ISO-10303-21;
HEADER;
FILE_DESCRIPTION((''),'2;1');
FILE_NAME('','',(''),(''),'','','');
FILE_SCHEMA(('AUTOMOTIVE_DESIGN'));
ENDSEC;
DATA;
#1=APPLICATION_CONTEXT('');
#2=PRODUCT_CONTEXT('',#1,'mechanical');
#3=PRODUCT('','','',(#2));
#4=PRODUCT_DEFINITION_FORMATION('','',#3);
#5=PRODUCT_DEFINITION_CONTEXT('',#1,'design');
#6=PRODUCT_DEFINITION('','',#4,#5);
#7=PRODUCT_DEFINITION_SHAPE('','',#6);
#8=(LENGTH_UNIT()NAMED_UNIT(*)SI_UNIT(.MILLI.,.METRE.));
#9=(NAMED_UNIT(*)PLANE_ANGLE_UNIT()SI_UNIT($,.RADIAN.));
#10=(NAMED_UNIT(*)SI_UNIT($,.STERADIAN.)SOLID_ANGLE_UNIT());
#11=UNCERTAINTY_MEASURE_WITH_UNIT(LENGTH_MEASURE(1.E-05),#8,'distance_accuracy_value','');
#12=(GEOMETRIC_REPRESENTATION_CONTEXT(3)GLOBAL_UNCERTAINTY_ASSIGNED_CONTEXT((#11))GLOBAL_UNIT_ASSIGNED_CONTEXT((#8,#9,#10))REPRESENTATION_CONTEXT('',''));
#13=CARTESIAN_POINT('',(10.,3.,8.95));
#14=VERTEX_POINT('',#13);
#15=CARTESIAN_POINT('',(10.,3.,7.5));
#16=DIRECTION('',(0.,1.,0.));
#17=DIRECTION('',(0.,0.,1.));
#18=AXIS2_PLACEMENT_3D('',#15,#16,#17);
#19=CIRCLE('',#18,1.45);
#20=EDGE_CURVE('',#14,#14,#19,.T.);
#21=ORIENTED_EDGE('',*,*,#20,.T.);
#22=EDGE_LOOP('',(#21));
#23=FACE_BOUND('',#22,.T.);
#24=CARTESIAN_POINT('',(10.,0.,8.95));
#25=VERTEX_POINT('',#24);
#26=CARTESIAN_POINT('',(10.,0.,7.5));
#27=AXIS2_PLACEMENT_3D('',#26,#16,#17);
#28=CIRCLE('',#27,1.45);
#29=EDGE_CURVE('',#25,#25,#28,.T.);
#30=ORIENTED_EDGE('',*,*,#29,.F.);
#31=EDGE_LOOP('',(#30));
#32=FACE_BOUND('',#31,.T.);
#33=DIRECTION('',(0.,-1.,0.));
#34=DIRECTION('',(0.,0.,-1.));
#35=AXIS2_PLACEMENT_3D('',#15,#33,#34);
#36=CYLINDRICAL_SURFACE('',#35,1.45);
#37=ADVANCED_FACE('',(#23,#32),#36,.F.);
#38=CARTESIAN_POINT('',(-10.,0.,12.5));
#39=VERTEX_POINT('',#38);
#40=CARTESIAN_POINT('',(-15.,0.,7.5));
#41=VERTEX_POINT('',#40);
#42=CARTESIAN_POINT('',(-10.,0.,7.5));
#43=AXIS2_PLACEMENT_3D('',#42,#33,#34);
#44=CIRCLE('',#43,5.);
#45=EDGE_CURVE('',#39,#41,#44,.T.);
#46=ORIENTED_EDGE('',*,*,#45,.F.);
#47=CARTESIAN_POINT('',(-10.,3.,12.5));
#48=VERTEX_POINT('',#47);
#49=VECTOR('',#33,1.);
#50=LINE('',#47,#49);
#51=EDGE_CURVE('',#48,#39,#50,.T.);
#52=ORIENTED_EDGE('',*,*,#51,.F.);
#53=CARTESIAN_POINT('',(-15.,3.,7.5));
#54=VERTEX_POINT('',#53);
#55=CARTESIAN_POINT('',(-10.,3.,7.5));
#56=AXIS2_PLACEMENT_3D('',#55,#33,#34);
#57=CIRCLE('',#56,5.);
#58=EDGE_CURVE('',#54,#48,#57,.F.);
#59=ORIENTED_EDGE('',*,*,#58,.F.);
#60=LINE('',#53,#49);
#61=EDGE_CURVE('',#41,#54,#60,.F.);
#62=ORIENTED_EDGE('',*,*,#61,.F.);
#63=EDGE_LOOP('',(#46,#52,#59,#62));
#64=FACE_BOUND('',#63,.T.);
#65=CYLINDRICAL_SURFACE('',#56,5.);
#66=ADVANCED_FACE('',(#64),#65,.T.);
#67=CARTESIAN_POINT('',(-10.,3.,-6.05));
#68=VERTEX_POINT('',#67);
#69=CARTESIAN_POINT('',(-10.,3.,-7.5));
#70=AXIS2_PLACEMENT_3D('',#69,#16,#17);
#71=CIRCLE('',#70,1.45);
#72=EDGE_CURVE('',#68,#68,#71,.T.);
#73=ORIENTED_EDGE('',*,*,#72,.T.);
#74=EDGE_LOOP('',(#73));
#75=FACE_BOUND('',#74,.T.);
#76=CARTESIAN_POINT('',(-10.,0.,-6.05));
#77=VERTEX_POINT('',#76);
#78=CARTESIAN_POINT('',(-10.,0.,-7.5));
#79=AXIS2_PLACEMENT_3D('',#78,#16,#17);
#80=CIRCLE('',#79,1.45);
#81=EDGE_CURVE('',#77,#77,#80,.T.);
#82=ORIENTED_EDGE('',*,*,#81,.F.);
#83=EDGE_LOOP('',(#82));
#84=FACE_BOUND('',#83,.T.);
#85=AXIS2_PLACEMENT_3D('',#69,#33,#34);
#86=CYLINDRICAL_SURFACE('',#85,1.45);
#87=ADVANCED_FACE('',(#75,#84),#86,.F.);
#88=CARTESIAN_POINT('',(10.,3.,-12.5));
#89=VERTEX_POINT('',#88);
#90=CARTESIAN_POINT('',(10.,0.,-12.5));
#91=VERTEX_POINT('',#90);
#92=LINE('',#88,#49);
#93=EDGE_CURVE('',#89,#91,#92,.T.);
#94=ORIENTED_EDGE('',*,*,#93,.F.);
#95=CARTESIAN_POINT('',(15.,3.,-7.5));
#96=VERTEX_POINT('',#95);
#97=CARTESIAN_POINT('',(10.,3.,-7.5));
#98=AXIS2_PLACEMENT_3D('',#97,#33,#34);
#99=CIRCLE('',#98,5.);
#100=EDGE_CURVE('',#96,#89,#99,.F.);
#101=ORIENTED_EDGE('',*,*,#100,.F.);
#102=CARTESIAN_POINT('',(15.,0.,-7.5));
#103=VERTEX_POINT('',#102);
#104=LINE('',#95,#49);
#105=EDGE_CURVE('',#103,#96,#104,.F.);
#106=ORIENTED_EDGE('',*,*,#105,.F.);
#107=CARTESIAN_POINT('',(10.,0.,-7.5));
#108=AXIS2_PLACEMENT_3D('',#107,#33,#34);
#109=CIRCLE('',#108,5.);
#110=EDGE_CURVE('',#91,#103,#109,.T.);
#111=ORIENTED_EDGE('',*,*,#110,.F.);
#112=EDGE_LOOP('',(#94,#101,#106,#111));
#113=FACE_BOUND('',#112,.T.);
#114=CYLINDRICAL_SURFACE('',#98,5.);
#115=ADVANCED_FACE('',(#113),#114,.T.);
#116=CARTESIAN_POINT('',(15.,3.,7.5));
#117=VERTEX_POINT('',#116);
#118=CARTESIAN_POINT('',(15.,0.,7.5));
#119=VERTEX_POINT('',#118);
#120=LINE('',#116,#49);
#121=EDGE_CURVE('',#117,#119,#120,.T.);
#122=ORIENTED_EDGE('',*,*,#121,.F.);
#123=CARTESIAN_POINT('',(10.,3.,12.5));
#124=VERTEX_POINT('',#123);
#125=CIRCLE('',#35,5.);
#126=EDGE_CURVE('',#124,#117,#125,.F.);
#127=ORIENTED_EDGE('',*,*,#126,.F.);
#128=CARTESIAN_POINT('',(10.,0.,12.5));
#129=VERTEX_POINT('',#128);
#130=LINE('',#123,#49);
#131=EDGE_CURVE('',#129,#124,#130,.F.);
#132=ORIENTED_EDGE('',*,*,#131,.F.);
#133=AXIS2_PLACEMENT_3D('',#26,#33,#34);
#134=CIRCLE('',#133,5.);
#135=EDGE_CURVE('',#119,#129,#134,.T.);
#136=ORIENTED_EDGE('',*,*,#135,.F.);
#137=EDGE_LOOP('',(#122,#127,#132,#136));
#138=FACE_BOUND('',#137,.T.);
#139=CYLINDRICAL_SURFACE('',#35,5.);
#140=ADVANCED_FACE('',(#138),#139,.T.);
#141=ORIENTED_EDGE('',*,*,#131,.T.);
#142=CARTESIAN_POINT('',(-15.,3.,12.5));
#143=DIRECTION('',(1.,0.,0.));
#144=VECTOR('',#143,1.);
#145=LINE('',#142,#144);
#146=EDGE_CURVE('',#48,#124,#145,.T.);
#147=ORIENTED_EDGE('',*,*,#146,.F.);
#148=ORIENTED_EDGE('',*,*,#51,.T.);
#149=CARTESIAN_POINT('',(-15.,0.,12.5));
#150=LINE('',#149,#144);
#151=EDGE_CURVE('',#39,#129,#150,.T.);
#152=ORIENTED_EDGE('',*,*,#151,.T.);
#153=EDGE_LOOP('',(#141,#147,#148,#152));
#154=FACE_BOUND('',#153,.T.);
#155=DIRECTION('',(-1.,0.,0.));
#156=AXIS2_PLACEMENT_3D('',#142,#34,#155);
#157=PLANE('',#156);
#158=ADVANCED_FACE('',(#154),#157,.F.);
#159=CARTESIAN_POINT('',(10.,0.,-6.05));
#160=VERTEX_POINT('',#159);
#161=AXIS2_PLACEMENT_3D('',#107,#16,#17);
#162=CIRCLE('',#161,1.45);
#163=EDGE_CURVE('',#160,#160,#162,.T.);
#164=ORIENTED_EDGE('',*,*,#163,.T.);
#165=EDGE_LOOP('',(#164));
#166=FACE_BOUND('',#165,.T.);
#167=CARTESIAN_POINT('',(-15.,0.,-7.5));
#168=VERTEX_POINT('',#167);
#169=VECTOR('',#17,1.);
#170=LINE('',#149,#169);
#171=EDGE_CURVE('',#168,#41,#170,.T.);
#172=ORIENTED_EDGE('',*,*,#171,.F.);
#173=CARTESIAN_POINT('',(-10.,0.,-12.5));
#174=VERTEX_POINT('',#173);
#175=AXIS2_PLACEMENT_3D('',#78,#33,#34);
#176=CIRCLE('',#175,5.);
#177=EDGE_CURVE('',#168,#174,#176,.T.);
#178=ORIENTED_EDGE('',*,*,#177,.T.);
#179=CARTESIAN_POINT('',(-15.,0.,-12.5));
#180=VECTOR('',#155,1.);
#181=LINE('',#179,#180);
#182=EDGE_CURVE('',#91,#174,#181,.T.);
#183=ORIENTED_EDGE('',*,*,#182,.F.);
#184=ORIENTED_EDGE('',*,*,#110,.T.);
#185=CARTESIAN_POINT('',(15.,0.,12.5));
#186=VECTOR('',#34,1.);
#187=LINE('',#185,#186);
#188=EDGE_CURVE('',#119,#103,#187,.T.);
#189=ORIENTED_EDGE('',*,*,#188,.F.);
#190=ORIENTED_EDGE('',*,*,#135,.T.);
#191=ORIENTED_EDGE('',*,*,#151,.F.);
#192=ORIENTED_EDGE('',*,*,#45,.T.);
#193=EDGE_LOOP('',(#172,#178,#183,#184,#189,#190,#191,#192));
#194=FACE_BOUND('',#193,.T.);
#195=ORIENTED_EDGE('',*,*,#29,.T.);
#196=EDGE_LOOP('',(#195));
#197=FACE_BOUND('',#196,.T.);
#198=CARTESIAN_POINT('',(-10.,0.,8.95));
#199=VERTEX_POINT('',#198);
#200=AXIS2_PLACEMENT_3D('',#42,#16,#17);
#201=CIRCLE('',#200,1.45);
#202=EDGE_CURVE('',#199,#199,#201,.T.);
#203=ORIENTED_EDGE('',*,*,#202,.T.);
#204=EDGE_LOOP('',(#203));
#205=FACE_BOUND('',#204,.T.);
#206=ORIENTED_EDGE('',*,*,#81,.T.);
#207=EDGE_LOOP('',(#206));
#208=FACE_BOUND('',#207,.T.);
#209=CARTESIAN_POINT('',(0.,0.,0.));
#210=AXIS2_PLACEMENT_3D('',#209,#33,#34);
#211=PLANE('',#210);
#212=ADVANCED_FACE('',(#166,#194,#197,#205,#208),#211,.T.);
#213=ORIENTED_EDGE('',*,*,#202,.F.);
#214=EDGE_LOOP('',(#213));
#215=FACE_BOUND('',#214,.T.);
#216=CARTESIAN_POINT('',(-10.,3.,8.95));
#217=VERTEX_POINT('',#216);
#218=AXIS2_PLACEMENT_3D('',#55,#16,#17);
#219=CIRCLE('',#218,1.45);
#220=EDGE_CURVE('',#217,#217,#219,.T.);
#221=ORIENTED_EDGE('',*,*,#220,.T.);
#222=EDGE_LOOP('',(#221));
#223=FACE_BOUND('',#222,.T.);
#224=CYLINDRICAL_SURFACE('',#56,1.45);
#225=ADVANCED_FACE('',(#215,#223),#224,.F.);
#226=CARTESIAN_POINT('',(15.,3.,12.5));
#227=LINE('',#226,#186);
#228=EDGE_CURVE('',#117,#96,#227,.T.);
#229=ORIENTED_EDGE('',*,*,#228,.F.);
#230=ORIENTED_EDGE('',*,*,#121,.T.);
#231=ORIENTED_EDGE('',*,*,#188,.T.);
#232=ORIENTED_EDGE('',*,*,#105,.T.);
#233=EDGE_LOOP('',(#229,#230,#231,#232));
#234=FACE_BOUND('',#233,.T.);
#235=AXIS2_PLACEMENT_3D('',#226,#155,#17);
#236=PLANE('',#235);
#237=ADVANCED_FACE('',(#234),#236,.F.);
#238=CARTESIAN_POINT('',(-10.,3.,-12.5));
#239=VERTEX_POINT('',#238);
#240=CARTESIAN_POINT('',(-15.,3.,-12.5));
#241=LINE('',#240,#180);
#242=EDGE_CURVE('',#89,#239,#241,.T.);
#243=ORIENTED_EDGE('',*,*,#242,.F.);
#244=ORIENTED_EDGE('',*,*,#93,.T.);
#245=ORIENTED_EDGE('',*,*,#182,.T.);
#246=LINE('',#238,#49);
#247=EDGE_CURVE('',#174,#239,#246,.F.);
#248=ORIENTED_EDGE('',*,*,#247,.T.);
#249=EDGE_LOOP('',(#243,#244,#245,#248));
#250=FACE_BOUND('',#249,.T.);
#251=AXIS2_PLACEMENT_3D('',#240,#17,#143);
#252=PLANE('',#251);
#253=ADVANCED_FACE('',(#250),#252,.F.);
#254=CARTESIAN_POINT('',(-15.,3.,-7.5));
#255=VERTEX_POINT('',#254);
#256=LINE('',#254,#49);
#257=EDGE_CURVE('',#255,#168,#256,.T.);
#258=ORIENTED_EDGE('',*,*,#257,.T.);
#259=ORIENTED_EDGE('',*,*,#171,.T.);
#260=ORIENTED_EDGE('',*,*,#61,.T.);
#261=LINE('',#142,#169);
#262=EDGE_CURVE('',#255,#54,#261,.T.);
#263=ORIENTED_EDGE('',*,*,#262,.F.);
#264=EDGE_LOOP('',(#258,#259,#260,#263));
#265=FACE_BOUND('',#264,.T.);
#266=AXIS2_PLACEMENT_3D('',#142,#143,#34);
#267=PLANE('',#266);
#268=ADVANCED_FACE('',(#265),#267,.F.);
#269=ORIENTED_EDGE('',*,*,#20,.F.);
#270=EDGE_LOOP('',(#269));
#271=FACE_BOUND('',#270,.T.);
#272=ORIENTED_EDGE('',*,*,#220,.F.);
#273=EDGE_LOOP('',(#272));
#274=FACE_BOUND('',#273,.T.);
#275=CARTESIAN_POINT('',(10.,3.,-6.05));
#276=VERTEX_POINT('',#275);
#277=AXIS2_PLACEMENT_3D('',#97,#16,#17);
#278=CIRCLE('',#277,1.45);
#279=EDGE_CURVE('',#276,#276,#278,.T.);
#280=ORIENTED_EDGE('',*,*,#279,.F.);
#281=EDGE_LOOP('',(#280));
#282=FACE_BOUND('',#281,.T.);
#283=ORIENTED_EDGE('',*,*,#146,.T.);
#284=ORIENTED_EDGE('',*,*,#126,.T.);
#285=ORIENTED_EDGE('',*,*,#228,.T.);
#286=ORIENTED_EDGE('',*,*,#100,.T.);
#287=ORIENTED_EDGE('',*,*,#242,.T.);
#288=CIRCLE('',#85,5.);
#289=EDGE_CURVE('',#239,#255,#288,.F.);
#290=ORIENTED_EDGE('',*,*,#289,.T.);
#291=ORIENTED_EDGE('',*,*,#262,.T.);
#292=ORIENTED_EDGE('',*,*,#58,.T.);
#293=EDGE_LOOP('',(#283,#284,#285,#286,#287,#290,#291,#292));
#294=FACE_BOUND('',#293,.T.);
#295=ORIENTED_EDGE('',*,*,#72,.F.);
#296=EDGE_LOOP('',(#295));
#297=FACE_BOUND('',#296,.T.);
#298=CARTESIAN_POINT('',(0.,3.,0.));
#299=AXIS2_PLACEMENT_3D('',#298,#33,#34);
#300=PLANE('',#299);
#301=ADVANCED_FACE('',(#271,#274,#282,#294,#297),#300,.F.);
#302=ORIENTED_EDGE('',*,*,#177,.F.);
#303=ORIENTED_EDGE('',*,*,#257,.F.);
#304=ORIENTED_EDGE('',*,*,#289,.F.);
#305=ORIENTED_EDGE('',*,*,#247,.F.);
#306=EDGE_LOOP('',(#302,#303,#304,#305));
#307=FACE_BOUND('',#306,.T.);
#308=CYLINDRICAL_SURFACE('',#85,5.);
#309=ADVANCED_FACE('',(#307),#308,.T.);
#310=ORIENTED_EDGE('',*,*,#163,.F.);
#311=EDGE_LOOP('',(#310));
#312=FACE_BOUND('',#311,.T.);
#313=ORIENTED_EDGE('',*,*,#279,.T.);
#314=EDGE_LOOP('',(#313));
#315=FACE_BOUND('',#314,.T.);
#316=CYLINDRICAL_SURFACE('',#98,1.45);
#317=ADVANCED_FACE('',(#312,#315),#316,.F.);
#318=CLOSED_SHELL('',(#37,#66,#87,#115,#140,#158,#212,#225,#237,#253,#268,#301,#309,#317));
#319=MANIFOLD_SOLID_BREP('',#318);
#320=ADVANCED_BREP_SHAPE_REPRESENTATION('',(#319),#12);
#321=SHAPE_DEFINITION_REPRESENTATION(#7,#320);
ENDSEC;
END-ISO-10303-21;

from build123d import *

# Parameters (mm, degrees)
SKETCH_1_W      = 30
SKETCH_1_H      = 25
SKETCH_1_R      = 1.45
EXTRUDE_1_DEPTH = 3
FILLET_1_R      = 5


with BuildPart() as part:
    # 草图1 → 凸台-拉伸1 (new body)
    with BuildSketch(Plane(origin=(0, 0, 0), x_dir=(1, 0, 0), z_dir=(0, 1, 0))):
        Rectangle(SKETCH_1_W, SKETCH_1_H)
        with Locations(Location((-10, 7.5, 0), (0, 0, 270))):
            Circle(SKETCH_1_R, mode=Mode.SUBTRACT)
        with Locations(Location((-10, -7.5, 0), (0, 0, 270))):
            Circle(SKETCH_1_R, mode=Mode.SUBTRACT)
        with Locations(Location((10, -7.5, 0), (0, 0, 270))):
            Circle(SKETCH_1_R, mode=Mode.SUBTRACT)
        with Locations(Location((10, 7.5, 0), (0, 0, 270))):
            Circle(SKETCH_1_R, mode=Mode.SUBTRACT)
    extrude(amount=EXTRUDE_1_DEPTH)

    # 圆角1
    fillet_1_edges = [part.edges().sort_by_distance(p)[0] for p in [
        (15, 1.5, 12.5),
        (-15, 1.5, 12.5),
        (-15, 1.5, -12.5),
        (15, 1.5, -12.5),
    ]]
    fillet(fillet_1_edges, radius=FILLET_1_R)


solid = part.part
